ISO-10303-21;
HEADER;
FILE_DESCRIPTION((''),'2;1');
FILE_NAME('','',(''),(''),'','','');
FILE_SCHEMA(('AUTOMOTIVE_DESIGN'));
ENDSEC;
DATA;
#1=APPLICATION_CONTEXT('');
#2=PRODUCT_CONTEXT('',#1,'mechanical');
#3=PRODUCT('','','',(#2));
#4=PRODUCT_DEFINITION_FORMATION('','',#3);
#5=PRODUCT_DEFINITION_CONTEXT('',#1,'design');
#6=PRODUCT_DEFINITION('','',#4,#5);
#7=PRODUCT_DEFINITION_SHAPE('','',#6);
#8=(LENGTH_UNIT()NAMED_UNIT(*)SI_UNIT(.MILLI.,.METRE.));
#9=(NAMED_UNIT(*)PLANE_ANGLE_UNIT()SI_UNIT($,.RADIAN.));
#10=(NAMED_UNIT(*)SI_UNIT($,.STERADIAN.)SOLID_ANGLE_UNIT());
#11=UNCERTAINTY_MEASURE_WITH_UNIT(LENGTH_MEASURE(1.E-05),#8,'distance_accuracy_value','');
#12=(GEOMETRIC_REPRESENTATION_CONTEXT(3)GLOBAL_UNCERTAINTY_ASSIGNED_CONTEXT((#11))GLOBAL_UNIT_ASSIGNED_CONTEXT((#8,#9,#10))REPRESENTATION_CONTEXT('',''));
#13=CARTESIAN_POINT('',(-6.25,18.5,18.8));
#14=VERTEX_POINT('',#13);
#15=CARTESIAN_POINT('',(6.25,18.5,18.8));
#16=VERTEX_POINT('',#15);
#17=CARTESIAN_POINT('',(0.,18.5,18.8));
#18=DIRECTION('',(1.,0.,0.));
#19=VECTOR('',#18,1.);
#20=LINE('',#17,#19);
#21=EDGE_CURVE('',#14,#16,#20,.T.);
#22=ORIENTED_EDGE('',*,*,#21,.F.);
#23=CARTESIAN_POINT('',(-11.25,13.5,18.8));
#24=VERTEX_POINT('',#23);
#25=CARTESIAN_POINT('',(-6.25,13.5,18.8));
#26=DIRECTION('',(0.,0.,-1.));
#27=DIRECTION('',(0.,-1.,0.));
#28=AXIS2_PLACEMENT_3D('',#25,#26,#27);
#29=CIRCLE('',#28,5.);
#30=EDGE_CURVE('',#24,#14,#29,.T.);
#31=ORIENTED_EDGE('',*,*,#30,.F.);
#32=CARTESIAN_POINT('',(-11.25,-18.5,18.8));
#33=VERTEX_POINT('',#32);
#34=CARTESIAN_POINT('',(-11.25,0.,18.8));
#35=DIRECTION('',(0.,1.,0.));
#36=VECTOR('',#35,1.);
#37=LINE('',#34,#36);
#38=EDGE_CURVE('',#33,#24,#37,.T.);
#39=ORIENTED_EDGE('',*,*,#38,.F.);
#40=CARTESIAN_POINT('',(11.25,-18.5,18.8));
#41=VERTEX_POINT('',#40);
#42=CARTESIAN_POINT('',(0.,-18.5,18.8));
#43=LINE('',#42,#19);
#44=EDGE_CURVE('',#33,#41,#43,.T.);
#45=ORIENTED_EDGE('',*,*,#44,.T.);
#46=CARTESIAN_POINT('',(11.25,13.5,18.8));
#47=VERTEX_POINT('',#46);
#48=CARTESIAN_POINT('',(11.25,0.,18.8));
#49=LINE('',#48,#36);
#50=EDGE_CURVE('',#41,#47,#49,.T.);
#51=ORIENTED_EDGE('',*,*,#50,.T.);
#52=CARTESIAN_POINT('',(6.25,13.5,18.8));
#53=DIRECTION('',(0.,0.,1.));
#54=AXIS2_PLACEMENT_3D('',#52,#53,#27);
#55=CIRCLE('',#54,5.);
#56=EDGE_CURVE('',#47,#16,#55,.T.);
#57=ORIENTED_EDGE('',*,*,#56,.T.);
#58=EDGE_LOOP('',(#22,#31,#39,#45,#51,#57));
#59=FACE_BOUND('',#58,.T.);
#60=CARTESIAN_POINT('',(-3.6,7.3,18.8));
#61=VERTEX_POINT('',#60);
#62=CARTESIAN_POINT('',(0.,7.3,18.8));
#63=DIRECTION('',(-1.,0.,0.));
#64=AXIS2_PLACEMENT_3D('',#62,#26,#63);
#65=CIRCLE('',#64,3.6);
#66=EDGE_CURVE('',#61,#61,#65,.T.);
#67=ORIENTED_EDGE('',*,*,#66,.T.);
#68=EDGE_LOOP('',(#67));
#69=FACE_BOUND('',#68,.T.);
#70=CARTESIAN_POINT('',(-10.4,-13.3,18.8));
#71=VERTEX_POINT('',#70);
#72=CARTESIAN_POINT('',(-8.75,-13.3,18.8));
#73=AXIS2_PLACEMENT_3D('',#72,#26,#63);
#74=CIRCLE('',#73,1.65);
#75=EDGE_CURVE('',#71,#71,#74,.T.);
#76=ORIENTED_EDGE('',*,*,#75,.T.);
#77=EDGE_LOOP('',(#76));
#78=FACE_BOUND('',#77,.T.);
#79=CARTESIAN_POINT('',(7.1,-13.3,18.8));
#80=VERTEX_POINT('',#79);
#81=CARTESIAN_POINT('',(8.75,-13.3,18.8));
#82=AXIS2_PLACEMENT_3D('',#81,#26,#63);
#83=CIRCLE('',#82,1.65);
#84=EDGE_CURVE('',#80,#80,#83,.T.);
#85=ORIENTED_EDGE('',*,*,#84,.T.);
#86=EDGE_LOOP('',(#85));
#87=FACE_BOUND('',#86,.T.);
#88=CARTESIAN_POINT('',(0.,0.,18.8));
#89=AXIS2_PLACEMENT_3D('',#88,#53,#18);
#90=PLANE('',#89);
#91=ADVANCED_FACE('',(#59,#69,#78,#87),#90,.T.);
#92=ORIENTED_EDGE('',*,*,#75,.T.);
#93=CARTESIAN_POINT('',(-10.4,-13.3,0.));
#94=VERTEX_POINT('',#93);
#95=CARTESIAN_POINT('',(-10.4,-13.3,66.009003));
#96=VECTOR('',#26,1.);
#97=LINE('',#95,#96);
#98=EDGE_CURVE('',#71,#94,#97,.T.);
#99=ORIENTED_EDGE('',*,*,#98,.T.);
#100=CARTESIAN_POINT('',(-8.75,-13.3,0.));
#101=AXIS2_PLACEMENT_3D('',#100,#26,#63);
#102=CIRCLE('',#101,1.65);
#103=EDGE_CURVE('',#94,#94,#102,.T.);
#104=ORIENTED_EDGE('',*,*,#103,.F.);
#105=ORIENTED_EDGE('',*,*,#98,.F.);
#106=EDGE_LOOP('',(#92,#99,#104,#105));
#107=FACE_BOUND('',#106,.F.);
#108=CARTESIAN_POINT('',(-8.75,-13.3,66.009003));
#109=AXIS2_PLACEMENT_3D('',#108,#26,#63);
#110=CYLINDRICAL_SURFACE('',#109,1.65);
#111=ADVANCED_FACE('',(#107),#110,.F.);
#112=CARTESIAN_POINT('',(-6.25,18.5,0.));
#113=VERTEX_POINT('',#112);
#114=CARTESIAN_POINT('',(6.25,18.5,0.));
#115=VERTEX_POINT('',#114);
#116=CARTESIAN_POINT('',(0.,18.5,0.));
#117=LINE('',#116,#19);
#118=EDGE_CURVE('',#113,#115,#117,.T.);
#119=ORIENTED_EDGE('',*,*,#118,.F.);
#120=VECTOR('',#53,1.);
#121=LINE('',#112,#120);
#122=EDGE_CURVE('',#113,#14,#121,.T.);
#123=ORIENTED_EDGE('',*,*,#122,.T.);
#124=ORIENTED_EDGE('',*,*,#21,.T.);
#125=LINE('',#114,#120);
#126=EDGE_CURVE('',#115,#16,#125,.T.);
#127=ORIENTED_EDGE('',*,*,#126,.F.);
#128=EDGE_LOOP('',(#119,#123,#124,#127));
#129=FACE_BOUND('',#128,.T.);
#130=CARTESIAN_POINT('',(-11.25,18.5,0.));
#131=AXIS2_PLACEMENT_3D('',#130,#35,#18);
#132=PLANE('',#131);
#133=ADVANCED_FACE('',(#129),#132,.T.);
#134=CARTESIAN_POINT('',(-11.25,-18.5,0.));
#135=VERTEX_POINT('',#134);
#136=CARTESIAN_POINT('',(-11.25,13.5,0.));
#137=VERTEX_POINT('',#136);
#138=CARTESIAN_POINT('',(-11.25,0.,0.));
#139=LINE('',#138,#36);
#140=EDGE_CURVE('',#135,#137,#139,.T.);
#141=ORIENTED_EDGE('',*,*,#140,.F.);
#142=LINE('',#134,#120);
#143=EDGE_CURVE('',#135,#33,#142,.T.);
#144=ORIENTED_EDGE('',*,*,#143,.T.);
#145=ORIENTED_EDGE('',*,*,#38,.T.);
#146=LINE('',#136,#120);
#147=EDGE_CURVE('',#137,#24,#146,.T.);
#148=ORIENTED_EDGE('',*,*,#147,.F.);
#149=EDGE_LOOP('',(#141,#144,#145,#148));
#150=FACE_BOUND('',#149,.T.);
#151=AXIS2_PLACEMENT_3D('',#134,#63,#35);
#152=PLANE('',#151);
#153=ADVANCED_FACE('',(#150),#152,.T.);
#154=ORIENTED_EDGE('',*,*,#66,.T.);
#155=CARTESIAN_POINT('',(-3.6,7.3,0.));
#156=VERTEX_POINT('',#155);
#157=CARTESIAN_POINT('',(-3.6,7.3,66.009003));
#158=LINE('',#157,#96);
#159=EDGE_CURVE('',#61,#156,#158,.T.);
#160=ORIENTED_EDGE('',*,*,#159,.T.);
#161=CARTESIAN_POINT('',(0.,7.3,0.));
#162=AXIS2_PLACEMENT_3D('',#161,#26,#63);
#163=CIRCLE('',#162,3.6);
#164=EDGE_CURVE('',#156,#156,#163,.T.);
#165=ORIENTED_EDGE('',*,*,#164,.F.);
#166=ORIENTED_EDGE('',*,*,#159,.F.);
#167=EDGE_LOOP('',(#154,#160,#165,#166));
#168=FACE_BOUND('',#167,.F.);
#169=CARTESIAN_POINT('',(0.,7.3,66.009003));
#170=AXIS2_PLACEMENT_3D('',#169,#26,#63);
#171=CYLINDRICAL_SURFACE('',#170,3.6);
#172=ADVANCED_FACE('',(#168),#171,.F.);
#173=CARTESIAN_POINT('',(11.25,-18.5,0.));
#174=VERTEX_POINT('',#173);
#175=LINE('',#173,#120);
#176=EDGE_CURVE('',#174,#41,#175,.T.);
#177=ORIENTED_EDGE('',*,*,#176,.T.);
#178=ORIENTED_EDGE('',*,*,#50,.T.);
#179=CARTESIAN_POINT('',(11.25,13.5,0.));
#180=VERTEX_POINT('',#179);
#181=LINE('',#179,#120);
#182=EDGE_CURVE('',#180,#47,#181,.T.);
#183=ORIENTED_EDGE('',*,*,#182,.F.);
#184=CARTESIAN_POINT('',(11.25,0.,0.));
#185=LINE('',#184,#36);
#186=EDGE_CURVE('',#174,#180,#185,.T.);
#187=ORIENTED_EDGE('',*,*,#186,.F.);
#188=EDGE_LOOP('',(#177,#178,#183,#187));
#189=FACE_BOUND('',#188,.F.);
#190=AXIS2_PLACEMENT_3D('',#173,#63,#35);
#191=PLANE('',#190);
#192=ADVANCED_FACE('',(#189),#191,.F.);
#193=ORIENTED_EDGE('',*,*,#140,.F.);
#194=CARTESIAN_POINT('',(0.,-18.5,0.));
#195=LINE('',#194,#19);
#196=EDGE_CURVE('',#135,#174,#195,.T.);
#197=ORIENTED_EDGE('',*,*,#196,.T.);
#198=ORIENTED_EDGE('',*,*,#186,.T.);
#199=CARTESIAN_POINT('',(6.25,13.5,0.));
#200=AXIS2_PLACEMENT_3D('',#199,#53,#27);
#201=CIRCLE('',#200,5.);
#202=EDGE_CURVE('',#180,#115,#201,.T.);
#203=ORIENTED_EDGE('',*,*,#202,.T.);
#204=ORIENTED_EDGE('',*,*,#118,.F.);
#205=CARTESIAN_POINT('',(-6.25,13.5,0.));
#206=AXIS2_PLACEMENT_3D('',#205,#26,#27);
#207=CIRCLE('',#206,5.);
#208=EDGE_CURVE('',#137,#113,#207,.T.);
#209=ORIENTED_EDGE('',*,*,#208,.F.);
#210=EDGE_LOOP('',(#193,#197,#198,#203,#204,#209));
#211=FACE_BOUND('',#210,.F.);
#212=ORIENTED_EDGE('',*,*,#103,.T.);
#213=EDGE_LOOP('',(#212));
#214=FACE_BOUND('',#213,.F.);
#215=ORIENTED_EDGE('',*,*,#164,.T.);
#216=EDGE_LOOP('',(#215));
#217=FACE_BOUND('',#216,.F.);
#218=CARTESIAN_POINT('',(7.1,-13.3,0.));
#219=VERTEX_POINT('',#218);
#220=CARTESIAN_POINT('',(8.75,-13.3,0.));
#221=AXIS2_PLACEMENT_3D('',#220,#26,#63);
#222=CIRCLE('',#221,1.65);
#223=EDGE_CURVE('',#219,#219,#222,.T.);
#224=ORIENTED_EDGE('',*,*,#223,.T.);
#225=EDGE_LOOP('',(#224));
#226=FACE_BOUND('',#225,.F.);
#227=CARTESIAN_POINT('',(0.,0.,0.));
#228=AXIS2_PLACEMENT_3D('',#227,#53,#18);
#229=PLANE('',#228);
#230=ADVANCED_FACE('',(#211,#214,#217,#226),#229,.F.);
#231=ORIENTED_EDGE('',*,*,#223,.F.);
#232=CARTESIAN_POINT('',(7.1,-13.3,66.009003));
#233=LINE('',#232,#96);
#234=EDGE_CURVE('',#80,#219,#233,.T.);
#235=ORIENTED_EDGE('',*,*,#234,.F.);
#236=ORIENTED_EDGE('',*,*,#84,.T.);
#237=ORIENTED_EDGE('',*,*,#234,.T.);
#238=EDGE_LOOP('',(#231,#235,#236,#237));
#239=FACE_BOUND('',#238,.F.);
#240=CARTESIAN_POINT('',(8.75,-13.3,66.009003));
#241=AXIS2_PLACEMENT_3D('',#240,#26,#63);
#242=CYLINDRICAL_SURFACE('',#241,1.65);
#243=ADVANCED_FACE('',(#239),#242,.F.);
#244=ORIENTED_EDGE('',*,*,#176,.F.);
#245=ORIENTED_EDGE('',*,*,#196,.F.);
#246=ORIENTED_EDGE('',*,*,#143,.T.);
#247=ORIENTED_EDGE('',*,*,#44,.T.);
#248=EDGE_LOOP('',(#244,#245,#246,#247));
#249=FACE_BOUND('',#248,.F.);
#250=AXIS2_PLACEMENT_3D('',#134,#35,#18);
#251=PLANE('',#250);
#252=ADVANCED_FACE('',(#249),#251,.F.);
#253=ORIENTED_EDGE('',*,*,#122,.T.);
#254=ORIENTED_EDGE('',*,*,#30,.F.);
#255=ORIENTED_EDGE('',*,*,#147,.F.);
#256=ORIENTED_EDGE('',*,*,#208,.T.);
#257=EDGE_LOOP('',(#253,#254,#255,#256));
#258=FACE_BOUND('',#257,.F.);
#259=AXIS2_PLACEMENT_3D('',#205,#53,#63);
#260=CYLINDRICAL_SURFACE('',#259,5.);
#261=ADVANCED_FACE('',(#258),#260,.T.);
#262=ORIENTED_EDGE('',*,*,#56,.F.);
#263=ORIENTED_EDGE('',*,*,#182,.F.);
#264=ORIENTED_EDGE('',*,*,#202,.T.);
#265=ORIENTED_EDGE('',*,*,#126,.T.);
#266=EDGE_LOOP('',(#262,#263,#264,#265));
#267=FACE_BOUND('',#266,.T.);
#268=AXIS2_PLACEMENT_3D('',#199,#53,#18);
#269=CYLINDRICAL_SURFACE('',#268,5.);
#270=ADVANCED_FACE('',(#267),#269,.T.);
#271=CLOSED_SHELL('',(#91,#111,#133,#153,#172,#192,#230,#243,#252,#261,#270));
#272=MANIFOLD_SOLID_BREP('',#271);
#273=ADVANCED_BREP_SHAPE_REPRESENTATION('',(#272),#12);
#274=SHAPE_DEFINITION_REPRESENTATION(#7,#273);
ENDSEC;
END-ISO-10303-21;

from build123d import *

# Parameters (mm, degrees)
F0_W     = 22.5
F0_H     = 37
F1_DEPTH = 18.8
F2_R     = 5
F4_D     = 3.3
F6_D     = 7.2


with BuildPart() as f1:
    # F0 (on Top) → F1 (new body)
    with BuildSketch(Plane.XY):
        Rectangle(F0_W, F0_H)
    extrude(amount=F1_DEPTH)

    # F2
    f2_edges = [f1.edges().sort_by_distance(p)[0] for p in [
        (11.25, 18.5, 9.4),
        (-11.25, 18.5, 9.4),
    ]]
    fillet(f2_edges, radius=F2_R)

    # F4 (through all)
    with Locations(Plane.XY.offset(18.8)):
        with Locations((-8.75, -13.3), (8.75, -13.3)):
            Hole(F4_D / 2)

    # F6 (through all)
    with Locations(Plane.XY.offset(18.8)):
        with Locations((0, 7.3)):
            Hole(F6_D / 2)


solid = f1.part
